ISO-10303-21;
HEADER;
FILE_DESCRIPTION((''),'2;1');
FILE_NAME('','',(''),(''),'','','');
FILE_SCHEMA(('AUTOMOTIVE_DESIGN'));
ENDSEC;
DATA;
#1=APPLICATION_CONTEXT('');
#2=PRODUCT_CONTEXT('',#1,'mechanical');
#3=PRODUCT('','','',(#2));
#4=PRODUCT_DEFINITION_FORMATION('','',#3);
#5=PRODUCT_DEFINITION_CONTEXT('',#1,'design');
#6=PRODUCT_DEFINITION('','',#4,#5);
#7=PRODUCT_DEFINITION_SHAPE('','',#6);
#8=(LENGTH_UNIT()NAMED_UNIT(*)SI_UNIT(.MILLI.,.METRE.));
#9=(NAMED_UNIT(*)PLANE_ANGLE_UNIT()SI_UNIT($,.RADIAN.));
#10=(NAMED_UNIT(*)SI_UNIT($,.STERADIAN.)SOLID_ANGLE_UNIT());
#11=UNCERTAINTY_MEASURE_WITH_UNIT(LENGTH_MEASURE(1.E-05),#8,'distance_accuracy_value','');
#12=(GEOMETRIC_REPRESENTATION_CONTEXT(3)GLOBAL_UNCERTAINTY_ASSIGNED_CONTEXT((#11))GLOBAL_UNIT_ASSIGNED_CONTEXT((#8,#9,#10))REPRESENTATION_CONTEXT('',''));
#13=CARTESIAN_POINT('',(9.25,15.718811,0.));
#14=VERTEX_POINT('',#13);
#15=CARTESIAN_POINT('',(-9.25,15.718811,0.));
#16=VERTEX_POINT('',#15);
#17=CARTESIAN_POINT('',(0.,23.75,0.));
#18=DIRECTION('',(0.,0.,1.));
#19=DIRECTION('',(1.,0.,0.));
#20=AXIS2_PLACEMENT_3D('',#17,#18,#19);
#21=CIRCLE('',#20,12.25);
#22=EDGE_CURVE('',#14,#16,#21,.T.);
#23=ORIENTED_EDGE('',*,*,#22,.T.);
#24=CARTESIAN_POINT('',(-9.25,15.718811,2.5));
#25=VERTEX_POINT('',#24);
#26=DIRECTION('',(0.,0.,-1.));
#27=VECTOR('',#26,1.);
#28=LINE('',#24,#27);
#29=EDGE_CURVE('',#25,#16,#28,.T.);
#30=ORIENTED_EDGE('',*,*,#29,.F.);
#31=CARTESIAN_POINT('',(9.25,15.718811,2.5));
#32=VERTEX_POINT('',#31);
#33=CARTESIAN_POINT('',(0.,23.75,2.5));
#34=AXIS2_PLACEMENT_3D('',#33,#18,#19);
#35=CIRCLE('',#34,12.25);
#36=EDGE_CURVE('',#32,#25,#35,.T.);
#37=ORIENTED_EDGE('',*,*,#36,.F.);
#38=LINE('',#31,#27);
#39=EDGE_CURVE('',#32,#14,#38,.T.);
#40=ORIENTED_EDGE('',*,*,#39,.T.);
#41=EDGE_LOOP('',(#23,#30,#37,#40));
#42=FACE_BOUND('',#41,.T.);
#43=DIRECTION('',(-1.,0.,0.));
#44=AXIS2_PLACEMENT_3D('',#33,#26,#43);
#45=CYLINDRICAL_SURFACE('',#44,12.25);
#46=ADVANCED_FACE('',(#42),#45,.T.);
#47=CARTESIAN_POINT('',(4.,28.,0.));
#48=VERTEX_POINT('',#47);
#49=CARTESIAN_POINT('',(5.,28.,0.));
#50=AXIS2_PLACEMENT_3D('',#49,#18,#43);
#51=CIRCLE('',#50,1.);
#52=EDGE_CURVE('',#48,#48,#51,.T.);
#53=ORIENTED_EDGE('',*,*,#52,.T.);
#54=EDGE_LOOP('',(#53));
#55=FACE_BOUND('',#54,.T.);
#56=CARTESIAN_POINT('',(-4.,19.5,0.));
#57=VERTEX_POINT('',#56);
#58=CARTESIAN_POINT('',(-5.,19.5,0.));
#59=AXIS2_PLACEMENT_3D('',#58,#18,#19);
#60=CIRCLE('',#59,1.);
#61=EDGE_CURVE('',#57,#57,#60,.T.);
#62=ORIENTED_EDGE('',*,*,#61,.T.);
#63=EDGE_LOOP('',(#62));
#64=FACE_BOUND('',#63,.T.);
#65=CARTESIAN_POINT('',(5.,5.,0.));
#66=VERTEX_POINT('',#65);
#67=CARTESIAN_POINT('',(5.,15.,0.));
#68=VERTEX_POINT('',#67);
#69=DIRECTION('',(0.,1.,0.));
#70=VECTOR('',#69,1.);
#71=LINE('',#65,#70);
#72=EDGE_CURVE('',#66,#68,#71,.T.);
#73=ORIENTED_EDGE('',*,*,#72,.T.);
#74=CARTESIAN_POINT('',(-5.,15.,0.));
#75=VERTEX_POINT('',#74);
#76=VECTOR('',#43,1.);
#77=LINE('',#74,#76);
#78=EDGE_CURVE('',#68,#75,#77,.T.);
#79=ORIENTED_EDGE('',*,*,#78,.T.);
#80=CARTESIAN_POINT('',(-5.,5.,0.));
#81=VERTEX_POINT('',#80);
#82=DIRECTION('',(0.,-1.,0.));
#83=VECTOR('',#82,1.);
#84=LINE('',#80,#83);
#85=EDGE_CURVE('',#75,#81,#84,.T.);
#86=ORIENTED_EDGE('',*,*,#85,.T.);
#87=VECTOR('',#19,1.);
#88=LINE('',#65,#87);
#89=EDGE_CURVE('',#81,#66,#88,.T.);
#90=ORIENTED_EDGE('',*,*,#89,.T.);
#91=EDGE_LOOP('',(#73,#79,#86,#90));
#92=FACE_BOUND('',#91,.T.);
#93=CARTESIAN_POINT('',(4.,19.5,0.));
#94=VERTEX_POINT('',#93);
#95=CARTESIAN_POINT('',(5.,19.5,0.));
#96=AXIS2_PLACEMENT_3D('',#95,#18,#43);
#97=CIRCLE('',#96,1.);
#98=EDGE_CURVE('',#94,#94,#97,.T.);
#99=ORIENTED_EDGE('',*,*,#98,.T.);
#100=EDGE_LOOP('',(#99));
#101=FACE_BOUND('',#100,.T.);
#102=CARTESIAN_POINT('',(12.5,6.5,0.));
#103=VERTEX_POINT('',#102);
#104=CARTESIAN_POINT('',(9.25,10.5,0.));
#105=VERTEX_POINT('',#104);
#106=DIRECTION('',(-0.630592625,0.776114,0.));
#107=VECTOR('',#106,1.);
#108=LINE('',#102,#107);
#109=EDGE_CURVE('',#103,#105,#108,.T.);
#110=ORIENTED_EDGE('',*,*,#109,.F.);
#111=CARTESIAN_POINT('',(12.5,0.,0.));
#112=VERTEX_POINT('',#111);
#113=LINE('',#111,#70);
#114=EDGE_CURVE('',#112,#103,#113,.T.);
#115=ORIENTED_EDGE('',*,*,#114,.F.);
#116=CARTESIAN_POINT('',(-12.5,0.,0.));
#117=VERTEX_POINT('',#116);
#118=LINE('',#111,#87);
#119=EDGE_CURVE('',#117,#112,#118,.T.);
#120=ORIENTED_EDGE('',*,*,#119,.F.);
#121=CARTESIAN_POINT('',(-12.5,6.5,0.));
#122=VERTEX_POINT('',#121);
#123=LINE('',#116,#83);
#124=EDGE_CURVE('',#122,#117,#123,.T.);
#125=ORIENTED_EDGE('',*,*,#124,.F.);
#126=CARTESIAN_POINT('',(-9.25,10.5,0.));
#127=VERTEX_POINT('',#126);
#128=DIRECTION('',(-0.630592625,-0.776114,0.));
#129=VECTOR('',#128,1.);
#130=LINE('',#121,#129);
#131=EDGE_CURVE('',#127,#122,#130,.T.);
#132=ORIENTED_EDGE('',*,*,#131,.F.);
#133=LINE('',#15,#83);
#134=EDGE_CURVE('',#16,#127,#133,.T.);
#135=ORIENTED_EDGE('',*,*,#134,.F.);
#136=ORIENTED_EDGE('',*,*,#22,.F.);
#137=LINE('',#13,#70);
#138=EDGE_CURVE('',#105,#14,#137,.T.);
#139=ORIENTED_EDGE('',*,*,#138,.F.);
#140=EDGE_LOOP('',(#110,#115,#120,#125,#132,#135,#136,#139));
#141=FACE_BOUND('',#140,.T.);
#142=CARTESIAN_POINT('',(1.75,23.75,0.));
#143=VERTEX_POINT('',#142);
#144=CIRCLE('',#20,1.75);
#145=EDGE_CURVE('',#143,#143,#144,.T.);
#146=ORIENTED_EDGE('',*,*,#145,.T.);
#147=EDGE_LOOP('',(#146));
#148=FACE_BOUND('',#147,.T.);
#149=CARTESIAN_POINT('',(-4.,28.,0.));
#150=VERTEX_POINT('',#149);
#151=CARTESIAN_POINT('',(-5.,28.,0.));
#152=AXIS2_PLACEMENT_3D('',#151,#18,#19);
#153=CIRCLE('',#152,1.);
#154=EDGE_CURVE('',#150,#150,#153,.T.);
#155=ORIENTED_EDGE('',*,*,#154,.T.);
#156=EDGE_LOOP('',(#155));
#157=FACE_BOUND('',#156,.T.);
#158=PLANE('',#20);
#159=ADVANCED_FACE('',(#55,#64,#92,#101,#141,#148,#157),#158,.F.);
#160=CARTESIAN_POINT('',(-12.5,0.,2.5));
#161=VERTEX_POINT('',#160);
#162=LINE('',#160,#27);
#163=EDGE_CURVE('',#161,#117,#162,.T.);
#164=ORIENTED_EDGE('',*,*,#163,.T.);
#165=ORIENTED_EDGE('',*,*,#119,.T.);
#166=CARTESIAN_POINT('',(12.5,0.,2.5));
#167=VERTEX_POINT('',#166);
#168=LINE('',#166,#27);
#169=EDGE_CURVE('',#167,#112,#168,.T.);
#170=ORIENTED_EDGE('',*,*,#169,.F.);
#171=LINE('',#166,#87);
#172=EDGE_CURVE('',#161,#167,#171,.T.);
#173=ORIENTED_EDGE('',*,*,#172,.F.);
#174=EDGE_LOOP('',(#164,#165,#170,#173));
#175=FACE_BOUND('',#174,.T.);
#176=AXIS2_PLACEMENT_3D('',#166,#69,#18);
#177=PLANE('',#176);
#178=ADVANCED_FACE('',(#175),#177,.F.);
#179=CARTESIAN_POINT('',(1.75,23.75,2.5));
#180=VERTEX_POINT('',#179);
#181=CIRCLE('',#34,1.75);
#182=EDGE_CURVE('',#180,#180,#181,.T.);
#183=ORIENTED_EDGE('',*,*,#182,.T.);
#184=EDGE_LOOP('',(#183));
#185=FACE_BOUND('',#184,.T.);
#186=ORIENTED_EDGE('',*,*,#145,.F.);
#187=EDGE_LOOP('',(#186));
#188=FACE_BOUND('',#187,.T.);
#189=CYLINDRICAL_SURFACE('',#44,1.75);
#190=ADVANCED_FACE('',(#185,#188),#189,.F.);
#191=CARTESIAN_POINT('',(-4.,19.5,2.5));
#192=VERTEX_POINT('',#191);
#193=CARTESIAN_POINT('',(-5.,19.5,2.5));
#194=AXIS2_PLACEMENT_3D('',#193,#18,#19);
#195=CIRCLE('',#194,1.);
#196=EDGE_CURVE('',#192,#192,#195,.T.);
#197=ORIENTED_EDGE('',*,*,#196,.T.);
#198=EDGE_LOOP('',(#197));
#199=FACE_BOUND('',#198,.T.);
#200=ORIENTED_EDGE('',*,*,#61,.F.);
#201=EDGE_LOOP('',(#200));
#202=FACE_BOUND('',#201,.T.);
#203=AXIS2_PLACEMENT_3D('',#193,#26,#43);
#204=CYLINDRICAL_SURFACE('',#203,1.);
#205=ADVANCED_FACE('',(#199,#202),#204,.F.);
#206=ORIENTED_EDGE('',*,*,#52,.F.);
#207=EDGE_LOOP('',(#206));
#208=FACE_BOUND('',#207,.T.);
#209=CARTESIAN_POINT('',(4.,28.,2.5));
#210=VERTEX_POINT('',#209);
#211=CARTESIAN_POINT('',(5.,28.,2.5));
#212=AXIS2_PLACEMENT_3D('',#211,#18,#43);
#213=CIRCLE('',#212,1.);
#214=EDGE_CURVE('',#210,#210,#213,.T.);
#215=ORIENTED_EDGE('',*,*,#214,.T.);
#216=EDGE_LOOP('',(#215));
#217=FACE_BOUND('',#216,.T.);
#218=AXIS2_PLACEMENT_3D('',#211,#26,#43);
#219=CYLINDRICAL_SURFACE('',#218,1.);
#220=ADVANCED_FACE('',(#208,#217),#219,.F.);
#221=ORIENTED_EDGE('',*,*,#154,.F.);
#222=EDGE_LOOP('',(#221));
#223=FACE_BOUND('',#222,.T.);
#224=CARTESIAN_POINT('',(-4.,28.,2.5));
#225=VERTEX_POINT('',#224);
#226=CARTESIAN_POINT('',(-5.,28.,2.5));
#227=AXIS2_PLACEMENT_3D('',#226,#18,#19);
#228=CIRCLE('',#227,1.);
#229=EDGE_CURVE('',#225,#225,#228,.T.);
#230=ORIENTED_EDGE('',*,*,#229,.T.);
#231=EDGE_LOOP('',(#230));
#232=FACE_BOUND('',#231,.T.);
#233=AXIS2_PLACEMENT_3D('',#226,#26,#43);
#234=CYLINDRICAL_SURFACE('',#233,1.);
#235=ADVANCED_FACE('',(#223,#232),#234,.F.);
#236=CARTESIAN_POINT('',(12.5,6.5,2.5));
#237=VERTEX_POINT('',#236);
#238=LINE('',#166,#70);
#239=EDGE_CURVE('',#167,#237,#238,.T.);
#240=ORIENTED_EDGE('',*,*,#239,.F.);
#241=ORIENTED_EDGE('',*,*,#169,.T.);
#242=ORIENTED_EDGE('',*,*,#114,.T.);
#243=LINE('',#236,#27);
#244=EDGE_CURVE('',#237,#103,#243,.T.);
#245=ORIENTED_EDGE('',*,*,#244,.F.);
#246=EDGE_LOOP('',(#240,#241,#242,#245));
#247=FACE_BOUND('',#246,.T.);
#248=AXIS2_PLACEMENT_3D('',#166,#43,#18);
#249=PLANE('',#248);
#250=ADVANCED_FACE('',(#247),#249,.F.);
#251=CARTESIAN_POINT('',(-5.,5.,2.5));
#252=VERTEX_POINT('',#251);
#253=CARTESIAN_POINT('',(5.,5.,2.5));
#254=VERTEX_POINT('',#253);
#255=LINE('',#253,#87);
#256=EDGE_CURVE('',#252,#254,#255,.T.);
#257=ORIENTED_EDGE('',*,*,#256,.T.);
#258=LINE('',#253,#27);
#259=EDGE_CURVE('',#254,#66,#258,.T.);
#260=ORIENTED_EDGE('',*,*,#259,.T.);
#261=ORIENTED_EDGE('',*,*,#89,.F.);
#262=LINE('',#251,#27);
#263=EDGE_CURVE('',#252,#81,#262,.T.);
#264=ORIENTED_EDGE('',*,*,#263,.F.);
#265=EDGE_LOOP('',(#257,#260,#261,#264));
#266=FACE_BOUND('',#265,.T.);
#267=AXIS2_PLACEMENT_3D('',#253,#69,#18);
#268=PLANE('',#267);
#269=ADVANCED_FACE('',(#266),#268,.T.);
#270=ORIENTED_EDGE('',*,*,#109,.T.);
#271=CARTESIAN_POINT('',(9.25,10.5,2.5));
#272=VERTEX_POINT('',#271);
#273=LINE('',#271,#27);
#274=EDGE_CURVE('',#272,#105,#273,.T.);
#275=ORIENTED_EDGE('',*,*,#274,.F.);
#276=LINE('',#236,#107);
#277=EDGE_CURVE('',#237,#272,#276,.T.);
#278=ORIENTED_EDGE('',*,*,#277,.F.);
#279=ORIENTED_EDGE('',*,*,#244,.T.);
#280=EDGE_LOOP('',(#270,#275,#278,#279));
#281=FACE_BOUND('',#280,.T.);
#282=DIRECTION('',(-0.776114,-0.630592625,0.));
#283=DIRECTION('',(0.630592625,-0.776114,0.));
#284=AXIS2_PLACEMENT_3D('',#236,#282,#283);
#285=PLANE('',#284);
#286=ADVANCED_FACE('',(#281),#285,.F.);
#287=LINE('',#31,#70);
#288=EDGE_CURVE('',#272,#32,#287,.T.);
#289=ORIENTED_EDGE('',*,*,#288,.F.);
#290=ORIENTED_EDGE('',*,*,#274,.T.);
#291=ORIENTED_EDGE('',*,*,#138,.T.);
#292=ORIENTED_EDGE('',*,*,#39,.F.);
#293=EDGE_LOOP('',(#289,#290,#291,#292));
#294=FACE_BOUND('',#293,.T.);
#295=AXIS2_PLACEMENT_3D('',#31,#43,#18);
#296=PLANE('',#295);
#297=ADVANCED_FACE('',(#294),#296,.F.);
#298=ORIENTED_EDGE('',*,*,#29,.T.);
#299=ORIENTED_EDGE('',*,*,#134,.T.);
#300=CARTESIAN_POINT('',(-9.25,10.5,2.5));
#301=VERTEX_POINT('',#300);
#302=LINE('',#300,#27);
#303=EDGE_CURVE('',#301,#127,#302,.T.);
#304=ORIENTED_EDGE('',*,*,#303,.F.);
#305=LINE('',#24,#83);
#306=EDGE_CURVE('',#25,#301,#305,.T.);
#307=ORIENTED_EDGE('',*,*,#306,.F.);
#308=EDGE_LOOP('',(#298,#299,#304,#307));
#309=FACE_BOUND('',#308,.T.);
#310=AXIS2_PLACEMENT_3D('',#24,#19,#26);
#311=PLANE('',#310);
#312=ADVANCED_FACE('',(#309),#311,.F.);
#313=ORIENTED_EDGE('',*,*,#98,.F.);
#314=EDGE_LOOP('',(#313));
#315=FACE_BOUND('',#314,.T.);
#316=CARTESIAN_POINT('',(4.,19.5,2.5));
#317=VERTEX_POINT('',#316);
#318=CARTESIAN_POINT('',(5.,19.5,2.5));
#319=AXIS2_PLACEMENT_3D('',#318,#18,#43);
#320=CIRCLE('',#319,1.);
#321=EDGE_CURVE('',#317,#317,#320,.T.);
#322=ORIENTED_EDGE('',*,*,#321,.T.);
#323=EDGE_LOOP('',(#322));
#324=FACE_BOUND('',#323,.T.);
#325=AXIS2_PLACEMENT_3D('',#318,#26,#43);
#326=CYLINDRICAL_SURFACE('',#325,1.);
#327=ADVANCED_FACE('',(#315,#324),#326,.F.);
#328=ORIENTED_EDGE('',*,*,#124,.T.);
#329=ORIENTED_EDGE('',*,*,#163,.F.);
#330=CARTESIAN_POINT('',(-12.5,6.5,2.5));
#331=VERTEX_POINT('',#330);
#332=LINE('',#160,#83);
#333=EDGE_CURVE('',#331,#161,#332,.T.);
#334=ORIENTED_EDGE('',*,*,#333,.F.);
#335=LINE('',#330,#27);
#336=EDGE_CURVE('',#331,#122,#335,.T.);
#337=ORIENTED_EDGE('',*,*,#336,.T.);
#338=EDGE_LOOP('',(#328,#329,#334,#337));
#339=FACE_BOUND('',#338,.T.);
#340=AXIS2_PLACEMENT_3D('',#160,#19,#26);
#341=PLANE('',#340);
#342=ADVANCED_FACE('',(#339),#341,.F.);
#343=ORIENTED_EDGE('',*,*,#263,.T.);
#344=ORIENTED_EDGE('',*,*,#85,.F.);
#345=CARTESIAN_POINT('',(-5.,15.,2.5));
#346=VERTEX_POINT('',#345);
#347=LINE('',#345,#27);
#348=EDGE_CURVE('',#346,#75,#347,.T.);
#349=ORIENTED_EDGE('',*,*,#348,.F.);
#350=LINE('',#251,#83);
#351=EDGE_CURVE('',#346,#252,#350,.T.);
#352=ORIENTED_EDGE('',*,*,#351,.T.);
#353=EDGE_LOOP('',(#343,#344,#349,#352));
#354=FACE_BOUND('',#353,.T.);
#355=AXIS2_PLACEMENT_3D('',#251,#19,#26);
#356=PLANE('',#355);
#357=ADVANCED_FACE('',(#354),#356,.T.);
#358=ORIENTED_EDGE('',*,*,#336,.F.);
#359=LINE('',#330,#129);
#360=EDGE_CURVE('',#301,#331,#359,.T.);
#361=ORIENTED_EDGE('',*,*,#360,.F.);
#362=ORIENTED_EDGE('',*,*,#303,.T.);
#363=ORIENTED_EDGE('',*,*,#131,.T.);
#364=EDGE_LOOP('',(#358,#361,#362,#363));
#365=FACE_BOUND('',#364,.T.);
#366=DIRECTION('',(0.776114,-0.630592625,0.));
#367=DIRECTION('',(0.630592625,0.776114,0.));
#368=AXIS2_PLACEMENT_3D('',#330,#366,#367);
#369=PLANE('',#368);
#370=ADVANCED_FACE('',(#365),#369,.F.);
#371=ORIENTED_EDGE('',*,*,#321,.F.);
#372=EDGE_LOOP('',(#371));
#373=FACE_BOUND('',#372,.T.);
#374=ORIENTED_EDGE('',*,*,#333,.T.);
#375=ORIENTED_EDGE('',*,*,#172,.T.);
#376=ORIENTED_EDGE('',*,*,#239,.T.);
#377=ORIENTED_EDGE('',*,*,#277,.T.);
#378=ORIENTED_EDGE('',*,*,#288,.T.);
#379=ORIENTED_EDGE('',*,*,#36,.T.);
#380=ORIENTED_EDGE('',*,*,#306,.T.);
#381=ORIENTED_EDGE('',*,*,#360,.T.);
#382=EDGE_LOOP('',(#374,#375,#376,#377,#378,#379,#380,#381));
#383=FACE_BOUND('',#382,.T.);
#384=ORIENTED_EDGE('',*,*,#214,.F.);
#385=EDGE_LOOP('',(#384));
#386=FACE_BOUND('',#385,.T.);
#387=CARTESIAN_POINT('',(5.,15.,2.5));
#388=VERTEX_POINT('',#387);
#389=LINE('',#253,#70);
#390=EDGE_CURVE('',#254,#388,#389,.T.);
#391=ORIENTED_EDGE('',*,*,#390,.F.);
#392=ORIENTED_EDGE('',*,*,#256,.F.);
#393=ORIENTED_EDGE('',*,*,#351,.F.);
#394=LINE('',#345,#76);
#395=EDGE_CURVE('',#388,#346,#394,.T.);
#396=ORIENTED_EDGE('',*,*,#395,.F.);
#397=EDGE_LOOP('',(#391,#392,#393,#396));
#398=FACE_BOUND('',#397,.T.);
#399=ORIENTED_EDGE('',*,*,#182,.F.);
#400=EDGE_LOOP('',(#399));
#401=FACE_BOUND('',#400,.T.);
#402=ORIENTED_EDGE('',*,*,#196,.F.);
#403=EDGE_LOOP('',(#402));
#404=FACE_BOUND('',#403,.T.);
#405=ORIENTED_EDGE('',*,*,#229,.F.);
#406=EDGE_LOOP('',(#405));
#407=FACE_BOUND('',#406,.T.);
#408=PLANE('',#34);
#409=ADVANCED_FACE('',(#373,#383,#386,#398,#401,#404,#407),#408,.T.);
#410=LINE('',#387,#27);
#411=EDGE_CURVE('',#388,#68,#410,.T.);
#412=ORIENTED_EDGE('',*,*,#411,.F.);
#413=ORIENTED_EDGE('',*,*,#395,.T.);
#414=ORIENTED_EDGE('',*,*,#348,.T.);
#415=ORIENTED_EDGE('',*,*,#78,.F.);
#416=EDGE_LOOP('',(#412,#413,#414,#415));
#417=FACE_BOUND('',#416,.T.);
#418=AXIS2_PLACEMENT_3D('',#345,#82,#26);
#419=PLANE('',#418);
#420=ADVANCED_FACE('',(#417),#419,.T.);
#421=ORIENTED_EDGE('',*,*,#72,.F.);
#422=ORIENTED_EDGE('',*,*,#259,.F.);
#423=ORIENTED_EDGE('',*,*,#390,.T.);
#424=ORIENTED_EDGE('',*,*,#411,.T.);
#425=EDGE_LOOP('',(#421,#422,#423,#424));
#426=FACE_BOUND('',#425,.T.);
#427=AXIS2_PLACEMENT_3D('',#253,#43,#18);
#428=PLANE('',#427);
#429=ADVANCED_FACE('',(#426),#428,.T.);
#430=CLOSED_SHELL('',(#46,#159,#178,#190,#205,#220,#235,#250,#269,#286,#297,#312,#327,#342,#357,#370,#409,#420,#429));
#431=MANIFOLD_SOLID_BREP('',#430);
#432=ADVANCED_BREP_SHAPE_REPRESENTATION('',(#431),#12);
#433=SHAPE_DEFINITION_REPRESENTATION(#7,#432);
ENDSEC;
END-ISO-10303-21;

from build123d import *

# Parameters (mm, degrees)
SZKIC1_R                    = 1.75
SZKIC1_R_2                  = 1
SZKIC1_W                    = 10
SZKIC1_H                    = 10
DODANIE_WYCI_GNI_CIE1_DEPTH = 2.5


with BuildPart() as part:
    # Szkic1 → Dodanie-wyciągnięcie1 (new body)
    with BuildSketch(Plane.XY):
        with BuildLine():
            Line((12.5, 0), (-12.5, 0))
            Line((-12.5, 0), (-12.5, 6.5))
            Line((-12.5, 6.5), (-9.25, 10.5))
            Line((-9.25, 10.5), (-9.25, 15.718810798))
            ThreePointArc((-9.25, 15.718810798), (0, 36), (9.25, 15.718810798))
            Line((9.25, 15.718810798), (9.25, 10.5))
            Line((9.25, 10.5), (12.5, 6.5))
            Line((12.5, 6.5), (12.5, 0))
        make_face()
        with Locations((0, 23.75)):
            Circle(SZKIC1_R, mode=Mode.SUBTRACT)
        with Locations((-5, 28)):
            Circle(SZKIC1_R_2, mode=Mode.SUBTRACT)
        with Locations((-5, 19.5)):
            Circle(SZKIC1_R_2, mode=Mode.SUBTRACT)
        with Locations(Location((5, 19.5, 0), (0, 0, 180))):
            Circle(SZKIC1_R_2, mode=Mode.SUBTRACT)
        with Locations(Location((5, 28, 0), (0, 0, 180))):
            Circle(SZKIC1_R_2, mode=Mode.SUBTRACT)
        with Locations((0, 10)):
            Rectangle(SZKIC1_W, SZKIC1_H, mode=Mode.SUBTRACT)
    extrude(amount=DODANIE_WYCI_GNI_CIE1_DEPTH)


solid = part.part
